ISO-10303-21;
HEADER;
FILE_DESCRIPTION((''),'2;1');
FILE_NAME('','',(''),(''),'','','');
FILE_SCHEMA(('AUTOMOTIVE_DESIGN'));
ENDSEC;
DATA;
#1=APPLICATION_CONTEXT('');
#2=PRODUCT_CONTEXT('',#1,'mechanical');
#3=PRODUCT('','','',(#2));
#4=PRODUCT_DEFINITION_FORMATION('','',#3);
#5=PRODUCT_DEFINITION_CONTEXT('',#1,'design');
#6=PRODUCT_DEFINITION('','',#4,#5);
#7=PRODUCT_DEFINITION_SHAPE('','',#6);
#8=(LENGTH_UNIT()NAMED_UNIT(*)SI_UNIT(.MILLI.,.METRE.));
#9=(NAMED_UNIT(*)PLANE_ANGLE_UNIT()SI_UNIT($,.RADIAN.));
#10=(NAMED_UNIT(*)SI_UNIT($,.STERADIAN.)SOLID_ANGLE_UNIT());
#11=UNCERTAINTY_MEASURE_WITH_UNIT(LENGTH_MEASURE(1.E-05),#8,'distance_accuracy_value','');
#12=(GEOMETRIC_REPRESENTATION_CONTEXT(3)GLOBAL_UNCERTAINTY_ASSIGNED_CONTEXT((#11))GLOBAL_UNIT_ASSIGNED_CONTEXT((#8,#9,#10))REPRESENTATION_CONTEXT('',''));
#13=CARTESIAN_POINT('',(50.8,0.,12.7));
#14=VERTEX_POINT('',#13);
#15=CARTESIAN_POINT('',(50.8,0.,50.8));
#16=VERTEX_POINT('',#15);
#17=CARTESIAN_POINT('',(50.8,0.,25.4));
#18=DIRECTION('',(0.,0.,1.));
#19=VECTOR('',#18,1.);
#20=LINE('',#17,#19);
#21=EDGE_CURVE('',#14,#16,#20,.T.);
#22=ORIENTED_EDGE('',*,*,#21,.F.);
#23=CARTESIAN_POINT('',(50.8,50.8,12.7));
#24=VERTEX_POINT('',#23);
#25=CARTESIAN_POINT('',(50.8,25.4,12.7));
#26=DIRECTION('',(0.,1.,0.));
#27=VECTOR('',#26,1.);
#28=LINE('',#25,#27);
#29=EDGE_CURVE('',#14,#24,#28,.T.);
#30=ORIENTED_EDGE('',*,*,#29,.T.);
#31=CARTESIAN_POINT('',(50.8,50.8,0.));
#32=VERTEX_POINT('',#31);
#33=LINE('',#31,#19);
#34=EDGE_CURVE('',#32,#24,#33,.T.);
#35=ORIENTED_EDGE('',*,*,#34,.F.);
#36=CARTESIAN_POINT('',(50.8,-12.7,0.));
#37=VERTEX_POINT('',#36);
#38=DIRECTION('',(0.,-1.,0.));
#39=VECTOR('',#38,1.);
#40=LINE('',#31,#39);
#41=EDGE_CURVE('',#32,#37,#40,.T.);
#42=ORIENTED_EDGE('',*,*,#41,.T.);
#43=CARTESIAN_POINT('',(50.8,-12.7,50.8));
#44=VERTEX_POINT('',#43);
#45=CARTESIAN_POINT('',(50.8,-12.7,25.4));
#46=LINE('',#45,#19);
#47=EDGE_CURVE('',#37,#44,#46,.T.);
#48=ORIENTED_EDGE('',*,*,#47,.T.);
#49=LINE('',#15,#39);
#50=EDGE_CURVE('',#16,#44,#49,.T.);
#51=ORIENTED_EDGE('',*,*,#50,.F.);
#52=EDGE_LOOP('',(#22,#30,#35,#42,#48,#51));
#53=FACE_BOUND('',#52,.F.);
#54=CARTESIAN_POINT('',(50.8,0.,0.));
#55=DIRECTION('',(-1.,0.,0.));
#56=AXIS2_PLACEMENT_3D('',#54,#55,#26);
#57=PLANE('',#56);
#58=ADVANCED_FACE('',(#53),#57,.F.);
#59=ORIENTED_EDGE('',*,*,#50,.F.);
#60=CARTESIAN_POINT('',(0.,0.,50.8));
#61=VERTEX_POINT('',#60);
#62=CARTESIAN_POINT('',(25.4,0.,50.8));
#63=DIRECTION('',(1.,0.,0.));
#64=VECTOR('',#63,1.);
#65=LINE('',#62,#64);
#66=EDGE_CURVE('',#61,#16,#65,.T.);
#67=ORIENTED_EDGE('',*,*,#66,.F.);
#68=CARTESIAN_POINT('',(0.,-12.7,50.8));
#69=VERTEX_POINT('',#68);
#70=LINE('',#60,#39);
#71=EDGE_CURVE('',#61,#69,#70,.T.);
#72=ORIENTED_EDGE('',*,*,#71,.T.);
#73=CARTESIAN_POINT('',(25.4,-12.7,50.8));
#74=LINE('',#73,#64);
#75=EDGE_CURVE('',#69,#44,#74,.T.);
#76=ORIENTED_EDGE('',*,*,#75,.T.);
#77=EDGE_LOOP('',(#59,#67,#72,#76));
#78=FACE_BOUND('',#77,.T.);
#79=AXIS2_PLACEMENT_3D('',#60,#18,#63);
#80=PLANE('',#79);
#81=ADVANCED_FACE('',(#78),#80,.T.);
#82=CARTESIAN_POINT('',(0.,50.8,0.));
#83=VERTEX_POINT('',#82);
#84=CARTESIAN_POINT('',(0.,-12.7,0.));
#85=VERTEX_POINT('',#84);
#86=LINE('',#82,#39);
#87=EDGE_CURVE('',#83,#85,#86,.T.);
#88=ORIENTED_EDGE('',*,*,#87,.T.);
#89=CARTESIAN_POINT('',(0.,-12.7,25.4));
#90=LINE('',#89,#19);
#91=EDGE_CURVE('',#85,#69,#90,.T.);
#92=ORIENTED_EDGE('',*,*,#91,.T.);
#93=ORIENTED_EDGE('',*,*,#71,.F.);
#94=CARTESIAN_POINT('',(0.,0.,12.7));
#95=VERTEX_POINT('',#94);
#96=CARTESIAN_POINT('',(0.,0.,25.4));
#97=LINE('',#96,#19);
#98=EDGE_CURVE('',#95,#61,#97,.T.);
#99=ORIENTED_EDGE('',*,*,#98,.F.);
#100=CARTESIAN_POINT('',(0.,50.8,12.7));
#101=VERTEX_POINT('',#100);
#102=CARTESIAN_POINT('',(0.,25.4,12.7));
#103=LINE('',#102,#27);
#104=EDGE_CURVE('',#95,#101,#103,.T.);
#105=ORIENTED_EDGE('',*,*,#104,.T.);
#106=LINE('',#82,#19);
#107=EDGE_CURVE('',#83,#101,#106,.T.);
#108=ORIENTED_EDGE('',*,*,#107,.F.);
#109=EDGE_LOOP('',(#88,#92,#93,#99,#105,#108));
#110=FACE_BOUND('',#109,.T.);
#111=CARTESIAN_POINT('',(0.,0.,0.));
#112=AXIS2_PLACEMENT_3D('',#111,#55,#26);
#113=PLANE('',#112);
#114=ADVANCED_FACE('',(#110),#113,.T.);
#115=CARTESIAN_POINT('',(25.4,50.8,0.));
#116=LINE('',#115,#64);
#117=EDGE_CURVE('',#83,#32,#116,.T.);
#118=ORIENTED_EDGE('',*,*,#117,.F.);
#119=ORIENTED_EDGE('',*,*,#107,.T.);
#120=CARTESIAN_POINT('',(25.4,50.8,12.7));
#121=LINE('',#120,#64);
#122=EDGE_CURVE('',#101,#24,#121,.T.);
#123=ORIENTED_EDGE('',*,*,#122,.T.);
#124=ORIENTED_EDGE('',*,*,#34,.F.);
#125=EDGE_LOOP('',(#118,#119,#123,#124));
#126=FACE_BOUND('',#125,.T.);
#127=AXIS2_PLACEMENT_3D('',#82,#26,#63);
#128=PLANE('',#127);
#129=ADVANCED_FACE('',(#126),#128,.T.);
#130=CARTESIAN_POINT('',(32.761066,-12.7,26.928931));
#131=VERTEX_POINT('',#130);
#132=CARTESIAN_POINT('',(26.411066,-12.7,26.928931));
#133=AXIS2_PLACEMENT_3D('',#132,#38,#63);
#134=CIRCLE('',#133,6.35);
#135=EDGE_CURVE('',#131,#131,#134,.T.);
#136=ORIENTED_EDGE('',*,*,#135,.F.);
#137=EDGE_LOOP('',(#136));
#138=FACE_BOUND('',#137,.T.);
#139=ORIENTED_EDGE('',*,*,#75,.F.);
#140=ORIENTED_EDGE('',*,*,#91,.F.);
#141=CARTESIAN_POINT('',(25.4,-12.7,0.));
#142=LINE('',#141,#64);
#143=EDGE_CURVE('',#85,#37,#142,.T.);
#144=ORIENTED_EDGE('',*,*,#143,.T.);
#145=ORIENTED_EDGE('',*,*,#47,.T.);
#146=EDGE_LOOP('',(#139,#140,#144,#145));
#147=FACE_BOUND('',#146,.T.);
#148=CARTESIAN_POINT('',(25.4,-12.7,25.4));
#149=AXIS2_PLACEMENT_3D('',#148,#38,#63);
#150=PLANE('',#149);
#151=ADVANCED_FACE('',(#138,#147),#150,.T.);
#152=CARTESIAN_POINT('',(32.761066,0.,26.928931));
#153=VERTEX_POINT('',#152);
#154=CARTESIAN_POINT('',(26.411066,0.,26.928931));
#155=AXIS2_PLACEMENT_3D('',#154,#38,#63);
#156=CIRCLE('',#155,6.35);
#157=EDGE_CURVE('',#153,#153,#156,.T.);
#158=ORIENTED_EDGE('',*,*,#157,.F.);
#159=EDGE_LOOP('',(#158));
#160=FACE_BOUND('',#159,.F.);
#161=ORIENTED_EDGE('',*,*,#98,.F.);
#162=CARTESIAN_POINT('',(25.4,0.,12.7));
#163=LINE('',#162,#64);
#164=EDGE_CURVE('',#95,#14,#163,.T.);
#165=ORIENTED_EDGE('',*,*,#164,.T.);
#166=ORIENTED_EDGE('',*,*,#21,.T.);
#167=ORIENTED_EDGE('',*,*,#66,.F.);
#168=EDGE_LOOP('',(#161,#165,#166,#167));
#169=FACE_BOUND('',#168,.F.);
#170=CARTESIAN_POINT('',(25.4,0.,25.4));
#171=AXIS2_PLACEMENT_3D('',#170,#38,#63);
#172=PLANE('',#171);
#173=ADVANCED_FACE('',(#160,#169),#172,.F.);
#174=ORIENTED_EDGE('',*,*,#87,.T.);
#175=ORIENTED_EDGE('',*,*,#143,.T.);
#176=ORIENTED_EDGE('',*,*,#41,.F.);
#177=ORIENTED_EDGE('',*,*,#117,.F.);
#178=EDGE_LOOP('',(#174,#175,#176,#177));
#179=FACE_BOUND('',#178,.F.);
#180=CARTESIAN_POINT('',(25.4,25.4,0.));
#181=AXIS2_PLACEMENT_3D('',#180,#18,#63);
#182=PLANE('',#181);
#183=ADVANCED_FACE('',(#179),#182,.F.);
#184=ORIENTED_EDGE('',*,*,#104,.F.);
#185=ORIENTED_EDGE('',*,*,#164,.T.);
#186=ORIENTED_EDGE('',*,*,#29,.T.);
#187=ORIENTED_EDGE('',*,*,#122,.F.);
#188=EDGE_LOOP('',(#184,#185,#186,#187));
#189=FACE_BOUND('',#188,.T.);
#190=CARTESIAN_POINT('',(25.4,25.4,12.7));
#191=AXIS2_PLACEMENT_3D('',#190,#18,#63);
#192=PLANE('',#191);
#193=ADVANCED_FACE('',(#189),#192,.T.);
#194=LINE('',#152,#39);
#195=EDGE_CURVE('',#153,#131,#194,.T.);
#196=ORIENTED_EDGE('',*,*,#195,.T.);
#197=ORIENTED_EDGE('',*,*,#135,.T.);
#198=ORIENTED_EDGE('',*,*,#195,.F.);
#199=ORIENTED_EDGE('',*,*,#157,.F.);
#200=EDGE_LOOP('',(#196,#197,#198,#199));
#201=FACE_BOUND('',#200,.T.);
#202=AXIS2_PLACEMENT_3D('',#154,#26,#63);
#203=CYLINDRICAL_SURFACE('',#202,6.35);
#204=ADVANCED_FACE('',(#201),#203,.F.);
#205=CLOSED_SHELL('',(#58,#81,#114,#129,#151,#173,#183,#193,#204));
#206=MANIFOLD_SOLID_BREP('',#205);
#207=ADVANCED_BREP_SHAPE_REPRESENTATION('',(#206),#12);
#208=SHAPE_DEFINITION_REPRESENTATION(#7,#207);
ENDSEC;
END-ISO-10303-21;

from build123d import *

# Parameters (mm, degrees)
F0_W     = 50.8
F0_H     = 50.8
F0_R     = 6.35
F2_DEPTH = 12.7
F1_W     = 50.8
F1_H     = 50.8
F3_DEPTH = 12.7


with BuildPart() as f2:
    # F0 (on Front) → F2 (new body)
    with BuildSketch(Plane.XZ):
        with Locations((25.4, 25.4)):
            Rectangle(F0_W, F0_H)
        with Locations((26.411066, 26.928931)):
            Circle(F0_R, mode=Mode.SUBTRACT)
    extrude(amount=F2_DEPTH)

    # F1 (on Top) → F3 (join)
    with BuildSketch(Plane.XY):
        with Locations((25.4, 25.4)):
            Rectangle(F1_W, F1_H)
    extrude(amount=F3_DEPTH)


solid = f2.part
